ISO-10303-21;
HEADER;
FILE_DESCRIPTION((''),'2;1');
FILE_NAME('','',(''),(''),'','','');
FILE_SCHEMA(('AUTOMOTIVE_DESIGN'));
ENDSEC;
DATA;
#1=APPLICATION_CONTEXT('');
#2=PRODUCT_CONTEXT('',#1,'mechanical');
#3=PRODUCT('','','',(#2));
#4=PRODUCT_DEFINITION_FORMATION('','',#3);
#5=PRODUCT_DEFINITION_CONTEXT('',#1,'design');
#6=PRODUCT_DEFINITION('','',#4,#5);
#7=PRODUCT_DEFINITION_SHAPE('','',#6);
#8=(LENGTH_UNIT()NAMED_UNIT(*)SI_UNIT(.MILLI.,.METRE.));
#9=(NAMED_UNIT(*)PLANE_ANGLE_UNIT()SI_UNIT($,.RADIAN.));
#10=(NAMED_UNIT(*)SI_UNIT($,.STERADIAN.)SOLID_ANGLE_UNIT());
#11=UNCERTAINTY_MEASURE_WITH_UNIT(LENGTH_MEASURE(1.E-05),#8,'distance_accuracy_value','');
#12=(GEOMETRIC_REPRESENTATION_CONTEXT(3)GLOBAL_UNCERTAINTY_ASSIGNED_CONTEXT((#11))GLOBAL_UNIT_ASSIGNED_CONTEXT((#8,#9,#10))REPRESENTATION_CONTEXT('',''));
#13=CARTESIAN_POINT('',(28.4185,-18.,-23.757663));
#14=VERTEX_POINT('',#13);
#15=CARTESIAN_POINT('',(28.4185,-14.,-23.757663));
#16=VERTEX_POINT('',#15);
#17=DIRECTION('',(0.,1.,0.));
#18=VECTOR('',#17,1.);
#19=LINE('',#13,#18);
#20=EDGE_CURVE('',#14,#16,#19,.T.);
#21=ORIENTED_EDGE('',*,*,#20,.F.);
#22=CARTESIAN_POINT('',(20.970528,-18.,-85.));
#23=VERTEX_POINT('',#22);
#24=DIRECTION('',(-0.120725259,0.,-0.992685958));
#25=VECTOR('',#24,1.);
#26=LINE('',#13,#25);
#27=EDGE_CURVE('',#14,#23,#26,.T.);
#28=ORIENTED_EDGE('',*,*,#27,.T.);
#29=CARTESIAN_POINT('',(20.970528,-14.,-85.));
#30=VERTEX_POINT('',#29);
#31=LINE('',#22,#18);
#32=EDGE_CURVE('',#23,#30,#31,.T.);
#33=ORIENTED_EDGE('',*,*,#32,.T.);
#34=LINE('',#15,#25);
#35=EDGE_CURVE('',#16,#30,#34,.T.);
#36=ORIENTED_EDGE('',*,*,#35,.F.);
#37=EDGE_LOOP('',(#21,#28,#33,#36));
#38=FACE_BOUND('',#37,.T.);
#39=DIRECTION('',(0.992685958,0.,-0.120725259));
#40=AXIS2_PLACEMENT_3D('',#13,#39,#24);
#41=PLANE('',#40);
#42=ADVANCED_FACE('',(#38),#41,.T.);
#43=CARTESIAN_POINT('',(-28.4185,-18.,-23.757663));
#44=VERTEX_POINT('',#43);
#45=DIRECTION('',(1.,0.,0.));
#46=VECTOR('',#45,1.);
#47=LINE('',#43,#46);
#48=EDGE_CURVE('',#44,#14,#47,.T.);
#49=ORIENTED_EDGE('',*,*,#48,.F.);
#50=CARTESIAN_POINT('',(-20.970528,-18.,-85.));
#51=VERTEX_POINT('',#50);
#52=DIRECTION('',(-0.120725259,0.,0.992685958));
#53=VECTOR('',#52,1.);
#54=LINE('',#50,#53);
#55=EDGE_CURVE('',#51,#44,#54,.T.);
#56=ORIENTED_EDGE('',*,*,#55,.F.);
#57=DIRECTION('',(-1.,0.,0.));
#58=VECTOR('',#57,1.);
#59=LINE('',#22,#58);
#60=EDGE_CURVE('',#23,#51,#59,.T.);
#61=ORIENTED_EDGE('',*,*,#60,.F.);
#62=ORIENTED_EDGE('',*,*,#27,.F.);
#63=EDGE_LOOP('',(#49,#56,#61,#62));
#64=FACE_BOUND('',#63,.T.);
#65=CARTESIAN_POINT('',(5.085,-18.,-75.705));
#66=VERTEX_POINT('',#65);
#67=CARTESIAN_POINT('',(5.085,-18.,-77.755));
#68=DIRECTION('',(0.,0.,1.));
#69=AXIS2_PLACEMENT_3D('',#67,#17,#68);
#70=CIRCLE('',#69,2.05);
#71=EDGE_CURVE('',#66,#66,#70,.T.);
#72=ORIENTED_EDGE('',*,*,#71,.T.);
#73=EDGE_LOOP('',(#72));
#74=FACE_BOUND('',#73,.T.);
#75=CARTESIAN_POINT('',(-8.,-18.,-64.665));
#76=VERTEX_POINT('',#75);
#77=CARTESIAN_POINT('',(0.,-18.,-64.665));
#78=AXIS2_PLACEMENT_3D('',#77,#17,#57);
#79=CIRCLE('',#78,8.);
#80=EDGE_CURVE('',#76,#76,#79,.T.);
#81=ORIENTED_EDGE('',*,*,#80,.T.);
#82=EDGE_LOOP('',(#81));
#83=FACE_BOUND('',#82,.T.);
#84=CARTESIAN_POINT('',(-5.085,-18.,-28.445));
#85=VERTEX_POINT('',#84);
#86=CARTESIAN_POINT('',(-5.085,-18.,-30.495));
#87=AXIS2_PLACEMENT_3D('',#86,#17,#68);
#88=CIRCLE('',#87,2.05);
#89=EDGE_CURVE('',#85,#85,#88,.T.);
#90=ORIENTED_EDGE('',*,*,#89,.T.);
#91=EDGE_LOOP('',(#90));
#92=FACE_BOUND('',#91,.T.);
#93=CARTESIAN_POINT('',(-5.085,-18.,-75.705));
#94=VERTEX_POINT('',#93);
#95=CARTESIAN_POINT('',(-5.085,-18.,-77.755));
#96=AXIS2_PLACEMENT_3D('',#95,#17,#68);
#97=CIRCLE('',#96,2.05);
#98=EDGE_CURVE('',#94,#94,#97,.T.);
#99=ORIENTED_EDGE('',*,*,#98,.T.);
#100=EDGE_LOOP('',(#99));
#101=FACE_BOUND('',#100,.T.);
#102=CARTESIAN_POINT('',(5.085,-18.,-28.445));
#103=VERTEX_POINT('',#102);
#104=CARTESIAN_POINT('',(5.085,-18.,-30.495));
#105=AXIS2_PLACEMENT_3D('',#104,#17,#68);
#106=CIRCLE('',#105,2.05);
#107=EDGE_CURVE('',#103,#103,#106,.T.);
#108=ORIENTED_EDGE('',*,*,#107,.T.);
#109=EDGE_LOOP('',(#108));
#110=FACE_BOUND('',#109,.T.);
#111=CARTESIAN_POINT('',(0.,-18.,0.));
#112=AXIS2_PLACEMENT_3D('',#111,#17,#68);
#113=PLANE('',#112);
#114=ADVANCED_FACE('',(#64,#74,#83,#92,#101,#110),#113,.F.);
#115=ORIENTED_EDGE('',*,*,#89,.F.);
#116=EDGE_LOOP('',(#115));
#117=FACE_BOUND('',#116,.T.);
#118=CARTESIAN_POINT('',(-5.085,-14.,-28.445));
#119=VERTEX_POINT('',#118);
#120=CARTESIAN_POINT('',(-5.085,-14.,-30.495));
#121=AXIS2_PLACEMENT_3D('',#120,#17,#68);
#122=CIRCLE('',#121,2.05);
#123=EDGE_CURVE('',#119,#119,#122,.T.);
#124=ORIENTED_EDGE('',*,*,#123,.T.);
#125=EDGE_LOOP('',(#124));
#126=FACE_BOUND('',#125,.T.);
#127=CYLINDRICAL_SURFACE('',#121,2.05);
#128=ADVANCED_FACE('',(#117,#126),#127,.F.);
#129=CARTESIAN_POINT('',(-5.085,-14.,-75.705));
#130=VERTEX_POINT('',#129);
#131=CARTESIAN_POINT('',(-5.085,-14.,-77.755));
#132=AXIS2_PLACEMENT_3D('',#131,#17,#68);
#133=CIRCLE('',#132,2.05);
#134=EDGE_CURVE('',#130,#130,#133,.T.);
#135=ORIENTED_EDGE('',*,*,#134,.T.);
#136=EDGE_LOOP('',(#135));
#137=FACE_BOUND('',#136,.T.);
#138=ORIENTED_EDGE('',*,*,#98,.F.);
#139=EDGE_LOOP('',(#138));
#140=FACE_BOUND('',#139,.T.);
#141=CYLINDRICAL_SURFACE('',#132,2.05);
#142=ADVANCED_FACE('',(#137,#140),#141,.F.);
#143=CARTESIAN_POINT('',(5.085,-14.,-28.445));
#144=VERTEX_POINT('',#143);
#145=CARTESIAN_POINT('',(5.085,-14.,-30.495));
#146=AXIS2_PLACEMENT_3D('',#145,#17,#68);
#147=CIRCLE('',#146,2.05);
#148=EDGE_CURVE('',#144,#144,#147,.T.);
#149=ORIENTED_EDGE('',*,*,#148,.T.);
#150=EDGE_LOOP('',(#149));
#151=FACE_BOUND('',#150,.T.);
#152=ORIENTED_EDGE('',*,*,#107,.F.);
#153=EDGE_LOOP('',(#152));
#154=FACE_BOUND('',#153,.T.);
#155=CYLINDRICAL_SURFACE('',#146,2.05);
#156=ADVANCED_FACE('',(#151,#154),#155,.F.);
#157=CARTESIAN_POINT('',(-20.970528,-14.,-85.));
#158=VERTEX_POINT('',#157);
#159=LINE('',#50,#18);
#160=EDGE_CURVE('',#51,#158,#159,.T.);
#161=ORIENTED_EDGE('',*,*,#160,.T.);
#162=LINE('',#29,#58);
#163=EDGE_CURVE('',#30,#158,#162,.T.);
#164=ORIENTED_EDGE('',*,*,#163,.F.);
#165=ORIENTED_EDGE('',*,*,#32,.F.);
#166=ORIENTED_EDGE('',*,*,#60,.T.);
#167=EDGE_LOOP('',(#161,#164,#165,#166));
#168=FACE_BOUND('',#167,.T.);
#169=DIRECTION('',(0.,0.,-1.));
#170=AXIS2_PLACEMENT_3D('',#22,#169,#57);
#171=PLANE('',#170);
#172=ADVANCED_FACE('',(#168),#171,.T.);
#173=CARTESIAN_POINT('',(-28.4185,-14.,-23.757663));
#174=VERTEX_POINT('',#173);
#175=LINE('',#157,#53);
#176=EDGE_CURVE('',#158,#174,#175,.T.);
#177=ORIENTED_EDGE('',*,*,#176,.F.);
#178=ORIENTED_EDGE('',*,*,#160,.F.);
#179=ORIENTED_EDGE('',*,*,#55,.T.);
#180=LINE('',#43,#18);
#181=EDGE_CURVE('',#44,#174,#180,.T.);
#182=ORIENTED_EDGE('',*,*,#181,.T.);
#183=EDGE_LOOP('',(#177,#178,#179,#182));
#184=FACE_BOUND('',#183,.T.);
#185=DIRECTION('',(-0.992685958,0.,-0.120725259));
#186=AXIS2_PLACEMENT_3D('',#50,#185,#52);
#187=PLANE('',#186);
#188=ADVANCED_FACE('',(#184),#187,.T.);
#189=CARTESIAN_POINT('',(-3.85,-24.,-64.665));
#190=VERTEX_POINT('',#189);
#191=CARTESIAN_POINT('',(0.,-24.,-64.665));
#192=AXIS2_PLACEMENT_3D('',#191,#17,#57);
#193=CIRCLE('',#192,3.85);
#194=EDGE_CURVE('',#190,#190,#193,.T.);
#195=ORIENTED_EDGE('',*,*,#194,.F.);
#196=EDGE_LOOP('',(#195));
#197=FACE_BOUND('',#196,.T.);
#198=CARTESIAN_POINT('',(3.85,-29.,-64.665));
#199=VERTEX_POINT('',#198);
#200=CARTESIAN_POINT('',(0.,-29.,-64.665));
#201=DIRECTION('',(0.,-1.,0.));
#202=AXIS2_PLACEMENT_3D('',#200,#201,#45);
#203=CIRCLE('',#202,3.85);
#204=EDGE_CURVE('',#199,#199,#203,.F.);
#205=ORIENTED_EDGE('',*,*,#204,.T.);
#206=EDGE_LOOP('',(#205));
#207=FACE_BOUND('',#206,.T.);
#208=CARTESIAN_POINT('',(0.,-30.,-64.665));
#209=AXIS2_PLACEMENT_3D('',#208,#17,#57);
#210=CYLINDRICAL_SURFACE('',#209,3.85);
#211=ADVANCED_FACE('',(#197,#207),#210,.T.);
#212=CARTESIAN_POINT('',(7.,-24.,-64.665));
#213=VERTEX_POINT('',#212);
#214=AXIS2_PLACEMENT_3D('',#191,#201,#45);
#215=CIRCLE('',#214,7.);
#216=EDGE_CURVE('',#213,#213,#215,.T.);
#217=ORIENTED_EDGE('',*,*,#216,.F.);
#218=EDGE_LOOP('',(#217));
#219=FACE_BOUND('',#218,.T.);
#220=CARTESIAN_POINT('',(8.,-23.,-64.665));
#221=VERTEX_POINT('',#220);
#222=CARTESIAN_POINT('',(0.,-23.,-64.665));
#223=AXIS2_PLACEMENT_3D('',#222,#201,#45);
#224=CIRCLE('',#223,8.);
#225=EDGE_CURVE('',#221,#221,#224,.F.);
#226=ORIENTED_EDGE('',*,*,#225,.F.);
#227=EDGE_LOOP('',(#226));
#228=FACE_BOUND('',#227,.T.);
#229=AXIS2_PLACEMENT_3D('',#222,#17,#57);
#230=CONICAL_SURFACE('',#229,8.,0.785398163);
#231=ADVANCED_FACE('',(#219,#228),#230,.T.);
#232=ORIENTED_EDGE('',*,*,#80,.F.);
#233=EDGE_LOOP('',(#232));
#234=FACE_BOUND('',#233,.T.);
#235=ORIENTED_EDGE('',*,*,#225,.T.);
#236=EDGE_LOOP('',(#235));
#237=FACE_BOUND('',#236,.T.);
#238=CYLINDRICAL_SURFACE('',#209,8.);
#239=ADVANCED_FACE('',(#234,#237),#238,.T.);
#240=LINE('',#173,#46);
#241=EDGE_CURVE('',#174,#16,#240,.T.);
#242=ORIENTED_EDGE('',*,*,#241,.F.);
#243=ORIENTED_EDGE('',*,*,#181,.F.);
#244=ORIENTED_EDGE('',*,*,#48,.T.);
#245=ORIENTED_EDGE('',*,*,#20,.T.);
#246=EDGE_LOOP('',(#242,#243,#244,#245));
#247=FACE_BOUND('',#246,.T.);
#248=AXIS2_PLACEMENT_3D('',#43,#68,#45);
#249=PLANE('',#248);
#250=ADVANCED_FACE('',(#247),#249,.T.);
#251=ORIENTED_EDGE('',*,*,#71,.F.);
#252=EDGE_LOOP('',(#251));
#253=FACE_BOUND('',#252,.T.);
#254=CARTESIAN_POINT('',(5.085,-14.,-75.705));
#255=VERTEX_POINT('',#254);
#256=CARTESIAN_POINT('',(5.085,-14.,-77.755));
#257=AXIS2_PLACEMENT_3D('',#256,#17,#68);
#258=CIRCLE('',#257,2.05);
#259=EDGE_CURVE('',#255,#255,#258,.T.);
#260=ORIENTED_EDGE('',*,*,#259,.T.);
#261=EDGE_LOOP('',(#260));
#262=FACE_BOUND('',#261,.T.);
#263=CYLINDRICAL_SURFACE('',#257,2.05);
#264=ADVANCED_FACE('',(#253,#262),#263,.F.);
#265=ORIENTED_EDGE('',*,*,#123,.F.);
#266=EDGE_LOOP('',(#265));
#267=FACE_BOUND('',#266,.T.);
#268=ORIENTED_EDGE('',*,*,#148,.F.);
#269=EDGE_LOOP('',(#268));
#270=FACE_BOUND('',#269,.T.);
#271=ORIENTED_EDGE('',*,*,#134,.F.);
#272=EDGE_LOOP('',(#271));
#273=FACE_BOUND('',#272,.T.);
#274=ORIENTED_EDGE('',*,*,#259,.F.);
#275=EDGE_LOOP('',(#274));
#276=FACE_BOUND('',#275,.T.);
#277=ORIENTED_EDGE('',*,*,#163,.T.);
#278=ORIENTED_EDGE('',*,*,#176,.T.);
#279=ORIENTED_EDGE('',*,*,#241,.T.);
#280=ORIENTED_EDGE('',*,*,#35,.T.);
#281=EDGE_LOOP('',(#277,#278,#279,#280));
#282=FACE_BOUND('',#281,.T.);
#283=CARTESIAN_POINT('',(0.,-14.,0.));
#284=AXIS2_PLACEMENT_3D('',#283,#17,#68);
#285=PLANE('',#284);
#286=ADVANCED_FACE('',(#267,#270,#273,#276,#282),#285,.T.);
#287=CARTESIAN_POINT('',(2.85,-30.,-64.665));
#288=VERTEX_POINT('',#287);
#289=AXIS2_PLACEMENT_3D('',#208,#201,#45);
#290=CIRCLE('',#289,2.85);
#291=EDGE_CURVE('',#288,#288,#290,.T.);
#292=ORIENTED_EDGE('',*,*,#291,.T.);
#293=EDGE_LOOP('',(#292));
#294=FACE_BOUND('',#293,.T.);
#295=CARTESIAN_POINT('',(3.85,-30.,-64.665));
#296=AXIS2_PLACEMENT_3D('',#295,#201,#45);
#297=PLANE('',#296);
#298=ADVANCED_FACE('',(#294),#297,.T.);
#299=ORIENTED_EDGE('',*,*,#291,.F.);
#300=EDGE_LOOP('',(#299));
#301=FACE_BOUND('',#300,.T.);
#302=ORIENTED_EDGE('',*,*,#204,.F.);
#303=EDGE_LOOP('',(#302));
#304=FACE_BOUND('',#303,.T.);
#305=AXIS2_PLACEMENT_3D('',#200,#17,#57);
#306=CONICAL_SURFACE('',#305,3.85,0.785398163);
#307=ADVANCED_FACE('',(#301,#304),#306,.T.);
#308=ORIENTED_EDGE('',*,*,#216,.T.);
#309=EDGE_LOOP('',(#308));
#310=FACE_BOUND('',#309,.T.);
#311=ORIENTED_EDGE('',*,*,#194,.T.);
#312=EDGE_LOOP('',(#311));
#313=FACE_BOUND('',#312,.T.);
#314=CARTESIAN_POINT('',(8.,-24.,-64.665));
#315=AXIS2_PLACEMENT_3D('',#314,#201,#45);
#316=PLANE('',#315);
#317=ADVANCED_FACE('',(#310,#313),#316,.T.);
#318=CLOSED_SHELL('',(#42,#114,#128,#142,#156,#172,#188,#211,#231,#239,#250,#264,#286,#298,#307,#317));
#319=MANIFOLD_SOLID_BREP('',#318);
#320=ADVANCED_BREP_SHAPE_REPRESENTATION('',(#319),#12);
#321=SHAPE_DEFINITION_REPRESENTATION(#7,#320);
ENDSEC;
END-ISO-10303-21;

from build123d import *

# Parameters (mm, degrees)
BOSS_EXTRUDE1_DEPTH            = 4
F_4_1_4_1_DIAMETER_HOLE1_D     = 4.1
F_4_1_4_1_DIAMETER_HOLE1_DEPTH = 16
CHAMFER1_SIZE                  = 1


with BuildPart() as part:
    # Sketch1 → Boss-Extrude1 (new body)
    with BuildSketch(Plane(origin=(0, -13.999999791, 0), x_dir=(1, 0, 0), z_dir=(0, 1, 0))):
        Polygon((-28.418499998, 23.757663266), (28.418499998, 23.757663266), (20.970528274, 85.000000013), (-20.970528274, 85.000000013), align=None)
    extrude(amount=-BOSS_EXTRUDE1_DEPTH)

    # Sketch2 → Revolve1 (revolve)
    with BuildSketch(Plane(origin=(0, 0, -64.665000013), x_dir=(-1, 0, 0), z_dir=(0, 0, -1)), mode=Mode.PRIVATE) as revolve1_sk:
        Polygon((-3.85, -29.999999791), (0, -29.999999791), (0, -17.999999791), (-8, -17.999999791), (-8, -23.999999791), (-3.85, -23.999999791), align=None)
    revolve(revolve1_sk.sketch.rotate(Axis((0, -29.999999791, -64.665000013), (0, 1, 0)), 180), axis=Axis((0, -29.999999791, -64.665000013), (0, 1, 0)))

    # Ø4.1 (4.1) Diameter Hole1
    with Locations(Plane(origin=(0, -13.999999791, 0), x_dir=(1, 0, 0), z_dir=(0, 1, 0))):
        with Locations((-5.085, 30.495), (5.085, 30.495), (5.085, 77.755), (-5.085, 77.755)):
            Hole(F_4_1_4_1_DIAMETER_HOLE1_D / 2, depth=F_4_1_4_1_DIAMETER_HOLE1_DEPTH)

    # Chamfer1
    chamfer1_edges = [part.edges().sort_by_distance(p)[0] for p in [
        (3.85, -29.999999791, -64.665000013),
        (8, -23.999999791, -64.665000013),
    ]]
    chamfer(chamfer1_edges, length=CHAMFER1_SIZE)


solid = part.part
